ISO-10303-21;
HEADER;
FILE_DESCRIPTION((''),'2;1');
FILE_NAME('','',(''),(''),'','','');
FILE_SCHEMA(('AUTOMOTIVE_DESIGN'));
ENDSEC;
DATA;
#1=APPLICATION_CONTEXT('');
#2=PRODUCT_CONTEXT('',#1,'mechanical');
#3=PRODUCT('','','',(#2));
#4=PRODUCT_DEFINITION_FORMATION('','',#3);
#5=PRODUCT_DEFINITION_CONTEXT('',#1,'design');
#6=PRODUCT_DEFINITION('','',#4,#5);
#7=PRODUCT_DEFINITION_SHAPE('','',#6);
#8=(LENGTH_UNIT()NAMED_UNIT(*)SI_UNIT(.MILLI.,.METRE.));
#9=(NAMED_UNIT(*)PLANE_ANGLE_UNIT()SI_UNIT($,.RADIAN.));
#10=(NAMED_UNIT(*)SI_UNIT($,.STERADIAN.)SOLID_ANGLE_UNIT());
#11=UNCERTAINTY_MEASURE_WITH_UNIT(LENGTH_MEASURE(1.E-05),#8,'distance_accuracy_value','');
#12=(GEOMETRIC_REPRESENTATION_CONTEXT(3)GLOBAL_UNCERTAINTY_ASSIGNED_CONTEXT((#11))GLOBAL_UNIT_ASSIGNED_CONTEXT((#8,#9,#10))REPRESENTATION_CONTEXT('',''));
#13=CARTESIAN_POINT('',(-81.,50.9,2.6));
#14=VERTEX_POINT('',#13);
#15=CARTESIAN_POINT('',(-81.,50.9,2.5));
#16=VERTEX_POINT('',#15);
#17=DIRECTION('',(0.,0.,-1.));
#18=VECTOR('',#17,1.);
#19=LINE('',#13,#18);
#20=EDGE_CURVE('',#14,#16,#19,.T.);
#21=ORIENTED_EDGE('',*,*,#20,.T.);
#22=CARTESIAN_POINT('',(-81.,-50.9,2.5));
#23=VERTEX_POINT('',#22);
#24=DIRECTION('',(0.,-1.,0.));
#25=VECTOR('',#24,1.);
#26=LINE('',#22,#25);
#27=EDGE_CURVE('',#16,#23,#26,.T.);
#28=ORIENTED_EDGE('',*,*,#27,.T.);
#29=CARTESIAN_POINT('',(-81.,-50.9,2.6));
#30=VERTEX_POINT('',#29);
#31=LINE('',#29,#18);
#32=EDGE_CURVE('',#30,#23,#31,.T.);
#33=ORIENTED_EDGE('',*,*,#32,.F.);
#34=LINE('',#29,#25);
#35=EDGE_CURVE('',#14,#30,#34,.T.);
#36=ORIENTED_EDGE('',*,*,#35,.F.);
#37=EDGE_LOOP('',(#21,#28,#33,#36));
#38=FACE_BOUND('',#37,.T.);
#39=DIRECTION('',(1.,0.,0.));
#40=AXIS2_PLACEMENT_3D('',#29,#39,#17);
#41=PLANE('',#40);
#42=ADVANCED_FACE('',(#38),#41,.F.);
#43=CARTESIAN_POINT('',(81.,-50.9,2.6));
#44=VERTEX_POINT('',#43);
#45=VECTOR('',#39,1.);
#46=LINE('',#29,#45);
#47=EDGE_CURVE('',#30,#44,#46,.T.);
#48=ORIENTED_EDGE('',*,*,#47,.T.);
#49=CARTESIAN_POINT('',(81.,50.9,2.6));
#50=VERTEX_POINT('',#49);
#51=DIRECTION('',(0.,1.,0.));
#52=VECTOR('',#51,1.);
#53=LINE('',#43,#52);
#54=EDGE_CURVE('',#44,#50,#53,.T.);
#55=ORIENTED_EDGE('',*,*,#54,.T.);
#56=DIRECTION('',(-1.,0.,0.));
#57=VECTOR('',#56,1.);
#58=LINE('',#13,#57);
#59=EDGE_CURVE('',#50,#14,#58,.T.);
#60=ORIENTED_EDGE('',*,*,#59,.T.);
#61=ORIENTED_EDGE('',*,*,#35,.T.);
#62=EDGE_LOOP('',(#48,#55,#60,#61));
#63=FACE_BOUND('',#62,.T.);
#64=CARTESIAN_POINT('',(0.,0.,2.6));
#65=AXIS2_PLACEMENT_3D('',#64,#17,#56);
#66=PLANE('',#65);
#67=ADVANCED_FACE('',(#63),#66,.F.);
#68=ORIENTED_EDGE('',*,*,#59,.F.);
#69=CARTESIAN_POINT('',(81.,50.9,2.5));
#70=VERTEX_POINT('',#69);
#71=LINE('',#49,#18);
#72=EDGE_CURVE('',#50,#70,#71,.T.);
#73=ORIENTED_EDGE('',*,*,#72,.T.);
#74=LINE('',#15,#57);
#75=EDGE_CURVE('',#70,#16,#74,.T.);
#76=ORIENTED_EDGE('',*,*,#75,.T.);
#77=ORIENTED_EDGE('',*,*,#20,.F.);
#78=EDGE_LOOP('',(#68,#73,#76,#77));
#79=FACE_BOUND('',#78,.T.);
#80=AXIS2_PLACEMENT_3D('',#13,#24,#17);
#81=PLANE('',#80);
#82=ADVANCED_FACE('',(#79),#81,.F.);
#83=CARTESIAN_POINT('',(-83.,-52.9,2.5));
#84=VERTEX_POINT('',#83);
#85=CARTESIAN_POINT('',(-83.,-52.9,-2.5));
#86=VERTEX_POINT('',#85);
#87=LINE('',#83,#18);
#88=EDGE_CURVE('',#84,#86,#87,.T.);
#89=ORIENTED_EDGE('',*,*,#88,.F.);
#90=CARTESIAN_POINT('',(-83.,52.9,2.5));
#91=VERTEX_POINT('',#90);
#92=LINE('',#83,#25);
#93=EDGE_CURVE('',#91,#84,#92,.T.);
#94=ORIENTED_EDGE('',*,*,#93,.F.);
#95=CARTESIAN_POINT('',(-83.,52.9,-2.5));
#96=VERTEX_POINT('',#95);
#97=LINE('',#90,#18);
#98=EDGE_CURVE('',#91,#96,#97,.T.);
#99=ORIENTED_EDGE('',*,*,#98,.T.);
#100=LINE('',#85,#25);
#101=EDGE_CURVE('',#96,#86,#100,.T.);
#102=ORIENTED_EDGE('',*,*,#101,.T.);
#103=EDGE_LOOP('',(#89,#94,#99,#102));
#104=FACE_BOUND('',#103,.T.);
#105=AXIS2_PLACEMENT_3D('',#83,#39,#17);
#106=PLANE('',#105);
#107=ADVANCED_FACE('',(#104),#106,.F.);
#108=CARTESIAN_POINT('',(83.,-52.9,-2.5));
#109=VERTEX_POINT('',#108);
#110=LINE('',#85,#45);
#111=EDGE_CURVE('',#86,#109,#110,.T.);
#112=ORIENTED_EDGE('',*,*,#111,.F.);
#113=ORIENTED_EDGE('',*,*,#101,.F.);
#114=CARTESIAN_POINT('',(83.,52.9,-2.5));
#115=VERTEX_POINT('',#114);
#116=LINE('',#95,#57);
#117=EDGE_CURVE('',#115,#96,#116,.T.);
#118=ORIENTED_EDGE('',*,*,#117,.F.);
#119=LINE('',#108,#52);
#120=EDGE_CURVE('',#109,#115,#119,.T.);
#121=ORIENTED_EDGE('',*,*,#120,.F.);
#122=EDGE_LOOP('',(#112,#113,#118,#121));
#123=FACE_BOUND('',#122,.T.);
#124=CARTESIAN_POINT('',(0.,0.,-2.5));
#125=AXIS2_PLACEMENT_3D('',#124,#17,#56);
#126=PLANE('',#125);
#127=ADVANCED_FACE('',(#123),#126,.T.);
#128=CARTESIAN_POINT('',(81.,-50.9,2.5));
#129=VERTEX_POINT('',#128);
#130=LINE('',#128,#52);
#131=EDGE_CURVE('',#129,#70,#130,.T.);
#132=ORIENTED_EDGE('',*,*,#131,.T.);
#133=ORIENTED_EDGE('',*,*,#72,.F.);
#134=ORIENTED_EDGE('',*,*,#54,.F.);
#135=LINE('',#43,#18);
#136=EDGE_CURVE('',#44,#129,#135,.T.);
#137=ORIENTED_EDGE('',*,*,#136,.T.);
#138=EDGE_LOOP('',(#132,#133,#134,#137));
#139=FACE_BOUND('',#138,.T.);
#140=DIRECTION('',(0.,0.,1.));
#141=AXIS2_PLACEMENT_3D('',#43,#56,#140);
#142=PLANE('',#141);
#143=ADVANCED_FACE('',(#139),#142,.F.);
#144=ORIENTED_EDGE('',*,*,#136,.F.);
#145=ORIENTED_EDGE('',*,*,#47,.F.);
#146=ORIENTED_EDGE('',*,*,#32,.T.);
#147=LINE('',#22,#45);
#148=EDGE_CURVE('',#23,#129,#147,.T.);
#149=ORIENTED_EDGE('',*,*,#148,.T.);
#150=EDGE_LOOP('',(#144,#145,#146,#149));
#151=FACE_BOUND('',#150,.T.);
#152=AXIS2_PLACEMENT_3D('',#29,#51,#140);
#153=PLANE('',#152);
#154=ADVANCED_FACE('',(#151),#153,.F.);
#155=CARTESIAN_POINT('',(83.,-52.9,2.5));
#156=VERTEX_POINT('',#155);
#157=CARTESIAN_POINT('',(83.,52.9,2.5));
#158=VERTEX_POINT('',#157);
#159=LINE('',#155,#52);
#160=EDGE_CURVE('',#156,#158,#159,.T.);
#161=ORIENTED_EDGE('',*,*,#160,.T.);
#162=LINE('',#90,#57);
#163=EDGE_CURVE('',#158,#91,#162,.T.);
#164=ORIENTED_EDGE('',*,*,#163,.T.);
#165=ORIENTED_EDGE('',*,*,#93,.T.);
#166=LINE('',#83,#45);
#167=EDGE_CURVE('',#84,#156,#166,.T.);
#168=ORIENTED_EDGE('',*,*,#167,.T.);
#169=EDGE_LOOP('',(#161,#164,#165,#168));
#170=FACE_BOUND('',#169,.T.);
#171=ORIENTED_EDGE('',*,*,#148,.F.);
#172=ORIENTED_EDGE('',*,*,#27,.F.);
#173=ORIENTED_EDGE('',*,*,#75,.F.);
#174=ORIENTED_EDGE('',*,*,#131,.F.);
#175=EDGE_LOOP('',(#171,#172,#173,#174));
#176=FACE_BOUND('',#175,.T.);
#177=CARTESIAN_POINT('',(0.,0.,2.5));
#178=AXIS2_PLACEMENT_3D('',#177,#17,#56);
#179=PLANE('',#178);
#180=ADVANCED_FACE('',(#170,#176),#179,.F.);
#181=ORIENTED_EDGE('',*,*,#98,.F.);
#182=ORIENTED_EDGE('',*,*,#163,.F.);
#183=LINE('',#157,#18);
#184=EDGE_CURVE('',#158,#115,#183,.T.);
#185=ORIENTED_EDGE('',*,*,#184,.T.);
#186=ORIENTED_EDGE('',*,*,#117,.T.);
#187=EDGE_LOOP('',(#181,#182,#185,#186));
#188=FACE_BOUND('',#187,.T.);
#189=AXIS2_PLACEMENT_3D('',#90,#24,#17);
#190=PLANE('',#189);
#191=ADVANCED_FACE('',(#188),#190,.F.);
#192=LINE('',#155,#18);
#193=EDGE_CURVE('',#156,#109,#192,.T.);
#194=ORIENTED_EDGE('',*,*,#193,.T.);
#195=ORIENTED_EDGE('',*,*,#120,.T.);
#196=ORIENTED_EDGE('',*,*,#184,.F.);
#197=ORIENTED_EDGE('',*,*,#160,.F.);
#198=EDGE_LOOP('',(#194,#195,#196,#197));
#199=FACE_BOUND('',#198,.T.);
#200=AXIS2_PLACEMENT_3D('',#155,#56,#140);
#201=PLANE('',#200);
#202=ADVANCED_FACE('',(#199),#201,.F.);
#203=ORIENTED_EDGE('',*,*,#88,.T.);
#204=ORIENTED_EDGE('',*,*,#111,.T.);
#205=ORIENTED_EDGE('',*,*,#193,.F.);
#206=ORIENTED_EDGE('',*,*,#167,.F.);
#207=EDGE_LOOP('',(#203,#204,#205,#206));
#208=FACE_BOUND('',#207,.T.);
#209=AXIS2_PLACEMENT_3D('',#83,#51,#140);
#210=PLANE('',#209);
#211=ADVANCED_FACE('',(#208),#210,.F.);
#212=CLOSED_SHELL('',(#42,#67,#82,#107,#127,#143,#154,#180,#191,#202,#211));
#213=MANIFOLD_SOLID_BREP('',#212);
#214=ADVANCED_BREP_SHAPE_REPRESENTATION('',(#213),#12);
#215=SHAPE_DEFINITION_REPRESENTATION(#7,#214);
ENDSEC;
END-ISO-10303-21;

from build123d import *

# Parameters (mm, degrees)
CROQUIS1_W              = 166
CROQUIS1_H              = 105.8
SALIENTE_EXTRUIR1_DEPTH = 2.5
CROQUIS3_W              = 162
CROQUIS3_H              = 101.8
SALIENTE_EXTRUIR2_DEPTH = 0.1


with BuildPart() as part:
    # Croquis1 → Saliente-Extruir1 (new, symmetric)
    with BuildSketch(Plane.XY):
        Rectangle(CROQUIS1_W, CROQUIS1_H)
    extrude(amount=SALIENTE_EXTRUIR1_DEPTH, both=True)

    # Croquis3 → Saliente-Extruir2 (add)
    with BuildSketch(Plane.XY.offset(2.5)):
        Rectangle(CROQUIS3_W, CROQUIS3_H)
    extrude(amount=SALIENTE_EXTRUIR2_DEPTH)


solid = part.part
